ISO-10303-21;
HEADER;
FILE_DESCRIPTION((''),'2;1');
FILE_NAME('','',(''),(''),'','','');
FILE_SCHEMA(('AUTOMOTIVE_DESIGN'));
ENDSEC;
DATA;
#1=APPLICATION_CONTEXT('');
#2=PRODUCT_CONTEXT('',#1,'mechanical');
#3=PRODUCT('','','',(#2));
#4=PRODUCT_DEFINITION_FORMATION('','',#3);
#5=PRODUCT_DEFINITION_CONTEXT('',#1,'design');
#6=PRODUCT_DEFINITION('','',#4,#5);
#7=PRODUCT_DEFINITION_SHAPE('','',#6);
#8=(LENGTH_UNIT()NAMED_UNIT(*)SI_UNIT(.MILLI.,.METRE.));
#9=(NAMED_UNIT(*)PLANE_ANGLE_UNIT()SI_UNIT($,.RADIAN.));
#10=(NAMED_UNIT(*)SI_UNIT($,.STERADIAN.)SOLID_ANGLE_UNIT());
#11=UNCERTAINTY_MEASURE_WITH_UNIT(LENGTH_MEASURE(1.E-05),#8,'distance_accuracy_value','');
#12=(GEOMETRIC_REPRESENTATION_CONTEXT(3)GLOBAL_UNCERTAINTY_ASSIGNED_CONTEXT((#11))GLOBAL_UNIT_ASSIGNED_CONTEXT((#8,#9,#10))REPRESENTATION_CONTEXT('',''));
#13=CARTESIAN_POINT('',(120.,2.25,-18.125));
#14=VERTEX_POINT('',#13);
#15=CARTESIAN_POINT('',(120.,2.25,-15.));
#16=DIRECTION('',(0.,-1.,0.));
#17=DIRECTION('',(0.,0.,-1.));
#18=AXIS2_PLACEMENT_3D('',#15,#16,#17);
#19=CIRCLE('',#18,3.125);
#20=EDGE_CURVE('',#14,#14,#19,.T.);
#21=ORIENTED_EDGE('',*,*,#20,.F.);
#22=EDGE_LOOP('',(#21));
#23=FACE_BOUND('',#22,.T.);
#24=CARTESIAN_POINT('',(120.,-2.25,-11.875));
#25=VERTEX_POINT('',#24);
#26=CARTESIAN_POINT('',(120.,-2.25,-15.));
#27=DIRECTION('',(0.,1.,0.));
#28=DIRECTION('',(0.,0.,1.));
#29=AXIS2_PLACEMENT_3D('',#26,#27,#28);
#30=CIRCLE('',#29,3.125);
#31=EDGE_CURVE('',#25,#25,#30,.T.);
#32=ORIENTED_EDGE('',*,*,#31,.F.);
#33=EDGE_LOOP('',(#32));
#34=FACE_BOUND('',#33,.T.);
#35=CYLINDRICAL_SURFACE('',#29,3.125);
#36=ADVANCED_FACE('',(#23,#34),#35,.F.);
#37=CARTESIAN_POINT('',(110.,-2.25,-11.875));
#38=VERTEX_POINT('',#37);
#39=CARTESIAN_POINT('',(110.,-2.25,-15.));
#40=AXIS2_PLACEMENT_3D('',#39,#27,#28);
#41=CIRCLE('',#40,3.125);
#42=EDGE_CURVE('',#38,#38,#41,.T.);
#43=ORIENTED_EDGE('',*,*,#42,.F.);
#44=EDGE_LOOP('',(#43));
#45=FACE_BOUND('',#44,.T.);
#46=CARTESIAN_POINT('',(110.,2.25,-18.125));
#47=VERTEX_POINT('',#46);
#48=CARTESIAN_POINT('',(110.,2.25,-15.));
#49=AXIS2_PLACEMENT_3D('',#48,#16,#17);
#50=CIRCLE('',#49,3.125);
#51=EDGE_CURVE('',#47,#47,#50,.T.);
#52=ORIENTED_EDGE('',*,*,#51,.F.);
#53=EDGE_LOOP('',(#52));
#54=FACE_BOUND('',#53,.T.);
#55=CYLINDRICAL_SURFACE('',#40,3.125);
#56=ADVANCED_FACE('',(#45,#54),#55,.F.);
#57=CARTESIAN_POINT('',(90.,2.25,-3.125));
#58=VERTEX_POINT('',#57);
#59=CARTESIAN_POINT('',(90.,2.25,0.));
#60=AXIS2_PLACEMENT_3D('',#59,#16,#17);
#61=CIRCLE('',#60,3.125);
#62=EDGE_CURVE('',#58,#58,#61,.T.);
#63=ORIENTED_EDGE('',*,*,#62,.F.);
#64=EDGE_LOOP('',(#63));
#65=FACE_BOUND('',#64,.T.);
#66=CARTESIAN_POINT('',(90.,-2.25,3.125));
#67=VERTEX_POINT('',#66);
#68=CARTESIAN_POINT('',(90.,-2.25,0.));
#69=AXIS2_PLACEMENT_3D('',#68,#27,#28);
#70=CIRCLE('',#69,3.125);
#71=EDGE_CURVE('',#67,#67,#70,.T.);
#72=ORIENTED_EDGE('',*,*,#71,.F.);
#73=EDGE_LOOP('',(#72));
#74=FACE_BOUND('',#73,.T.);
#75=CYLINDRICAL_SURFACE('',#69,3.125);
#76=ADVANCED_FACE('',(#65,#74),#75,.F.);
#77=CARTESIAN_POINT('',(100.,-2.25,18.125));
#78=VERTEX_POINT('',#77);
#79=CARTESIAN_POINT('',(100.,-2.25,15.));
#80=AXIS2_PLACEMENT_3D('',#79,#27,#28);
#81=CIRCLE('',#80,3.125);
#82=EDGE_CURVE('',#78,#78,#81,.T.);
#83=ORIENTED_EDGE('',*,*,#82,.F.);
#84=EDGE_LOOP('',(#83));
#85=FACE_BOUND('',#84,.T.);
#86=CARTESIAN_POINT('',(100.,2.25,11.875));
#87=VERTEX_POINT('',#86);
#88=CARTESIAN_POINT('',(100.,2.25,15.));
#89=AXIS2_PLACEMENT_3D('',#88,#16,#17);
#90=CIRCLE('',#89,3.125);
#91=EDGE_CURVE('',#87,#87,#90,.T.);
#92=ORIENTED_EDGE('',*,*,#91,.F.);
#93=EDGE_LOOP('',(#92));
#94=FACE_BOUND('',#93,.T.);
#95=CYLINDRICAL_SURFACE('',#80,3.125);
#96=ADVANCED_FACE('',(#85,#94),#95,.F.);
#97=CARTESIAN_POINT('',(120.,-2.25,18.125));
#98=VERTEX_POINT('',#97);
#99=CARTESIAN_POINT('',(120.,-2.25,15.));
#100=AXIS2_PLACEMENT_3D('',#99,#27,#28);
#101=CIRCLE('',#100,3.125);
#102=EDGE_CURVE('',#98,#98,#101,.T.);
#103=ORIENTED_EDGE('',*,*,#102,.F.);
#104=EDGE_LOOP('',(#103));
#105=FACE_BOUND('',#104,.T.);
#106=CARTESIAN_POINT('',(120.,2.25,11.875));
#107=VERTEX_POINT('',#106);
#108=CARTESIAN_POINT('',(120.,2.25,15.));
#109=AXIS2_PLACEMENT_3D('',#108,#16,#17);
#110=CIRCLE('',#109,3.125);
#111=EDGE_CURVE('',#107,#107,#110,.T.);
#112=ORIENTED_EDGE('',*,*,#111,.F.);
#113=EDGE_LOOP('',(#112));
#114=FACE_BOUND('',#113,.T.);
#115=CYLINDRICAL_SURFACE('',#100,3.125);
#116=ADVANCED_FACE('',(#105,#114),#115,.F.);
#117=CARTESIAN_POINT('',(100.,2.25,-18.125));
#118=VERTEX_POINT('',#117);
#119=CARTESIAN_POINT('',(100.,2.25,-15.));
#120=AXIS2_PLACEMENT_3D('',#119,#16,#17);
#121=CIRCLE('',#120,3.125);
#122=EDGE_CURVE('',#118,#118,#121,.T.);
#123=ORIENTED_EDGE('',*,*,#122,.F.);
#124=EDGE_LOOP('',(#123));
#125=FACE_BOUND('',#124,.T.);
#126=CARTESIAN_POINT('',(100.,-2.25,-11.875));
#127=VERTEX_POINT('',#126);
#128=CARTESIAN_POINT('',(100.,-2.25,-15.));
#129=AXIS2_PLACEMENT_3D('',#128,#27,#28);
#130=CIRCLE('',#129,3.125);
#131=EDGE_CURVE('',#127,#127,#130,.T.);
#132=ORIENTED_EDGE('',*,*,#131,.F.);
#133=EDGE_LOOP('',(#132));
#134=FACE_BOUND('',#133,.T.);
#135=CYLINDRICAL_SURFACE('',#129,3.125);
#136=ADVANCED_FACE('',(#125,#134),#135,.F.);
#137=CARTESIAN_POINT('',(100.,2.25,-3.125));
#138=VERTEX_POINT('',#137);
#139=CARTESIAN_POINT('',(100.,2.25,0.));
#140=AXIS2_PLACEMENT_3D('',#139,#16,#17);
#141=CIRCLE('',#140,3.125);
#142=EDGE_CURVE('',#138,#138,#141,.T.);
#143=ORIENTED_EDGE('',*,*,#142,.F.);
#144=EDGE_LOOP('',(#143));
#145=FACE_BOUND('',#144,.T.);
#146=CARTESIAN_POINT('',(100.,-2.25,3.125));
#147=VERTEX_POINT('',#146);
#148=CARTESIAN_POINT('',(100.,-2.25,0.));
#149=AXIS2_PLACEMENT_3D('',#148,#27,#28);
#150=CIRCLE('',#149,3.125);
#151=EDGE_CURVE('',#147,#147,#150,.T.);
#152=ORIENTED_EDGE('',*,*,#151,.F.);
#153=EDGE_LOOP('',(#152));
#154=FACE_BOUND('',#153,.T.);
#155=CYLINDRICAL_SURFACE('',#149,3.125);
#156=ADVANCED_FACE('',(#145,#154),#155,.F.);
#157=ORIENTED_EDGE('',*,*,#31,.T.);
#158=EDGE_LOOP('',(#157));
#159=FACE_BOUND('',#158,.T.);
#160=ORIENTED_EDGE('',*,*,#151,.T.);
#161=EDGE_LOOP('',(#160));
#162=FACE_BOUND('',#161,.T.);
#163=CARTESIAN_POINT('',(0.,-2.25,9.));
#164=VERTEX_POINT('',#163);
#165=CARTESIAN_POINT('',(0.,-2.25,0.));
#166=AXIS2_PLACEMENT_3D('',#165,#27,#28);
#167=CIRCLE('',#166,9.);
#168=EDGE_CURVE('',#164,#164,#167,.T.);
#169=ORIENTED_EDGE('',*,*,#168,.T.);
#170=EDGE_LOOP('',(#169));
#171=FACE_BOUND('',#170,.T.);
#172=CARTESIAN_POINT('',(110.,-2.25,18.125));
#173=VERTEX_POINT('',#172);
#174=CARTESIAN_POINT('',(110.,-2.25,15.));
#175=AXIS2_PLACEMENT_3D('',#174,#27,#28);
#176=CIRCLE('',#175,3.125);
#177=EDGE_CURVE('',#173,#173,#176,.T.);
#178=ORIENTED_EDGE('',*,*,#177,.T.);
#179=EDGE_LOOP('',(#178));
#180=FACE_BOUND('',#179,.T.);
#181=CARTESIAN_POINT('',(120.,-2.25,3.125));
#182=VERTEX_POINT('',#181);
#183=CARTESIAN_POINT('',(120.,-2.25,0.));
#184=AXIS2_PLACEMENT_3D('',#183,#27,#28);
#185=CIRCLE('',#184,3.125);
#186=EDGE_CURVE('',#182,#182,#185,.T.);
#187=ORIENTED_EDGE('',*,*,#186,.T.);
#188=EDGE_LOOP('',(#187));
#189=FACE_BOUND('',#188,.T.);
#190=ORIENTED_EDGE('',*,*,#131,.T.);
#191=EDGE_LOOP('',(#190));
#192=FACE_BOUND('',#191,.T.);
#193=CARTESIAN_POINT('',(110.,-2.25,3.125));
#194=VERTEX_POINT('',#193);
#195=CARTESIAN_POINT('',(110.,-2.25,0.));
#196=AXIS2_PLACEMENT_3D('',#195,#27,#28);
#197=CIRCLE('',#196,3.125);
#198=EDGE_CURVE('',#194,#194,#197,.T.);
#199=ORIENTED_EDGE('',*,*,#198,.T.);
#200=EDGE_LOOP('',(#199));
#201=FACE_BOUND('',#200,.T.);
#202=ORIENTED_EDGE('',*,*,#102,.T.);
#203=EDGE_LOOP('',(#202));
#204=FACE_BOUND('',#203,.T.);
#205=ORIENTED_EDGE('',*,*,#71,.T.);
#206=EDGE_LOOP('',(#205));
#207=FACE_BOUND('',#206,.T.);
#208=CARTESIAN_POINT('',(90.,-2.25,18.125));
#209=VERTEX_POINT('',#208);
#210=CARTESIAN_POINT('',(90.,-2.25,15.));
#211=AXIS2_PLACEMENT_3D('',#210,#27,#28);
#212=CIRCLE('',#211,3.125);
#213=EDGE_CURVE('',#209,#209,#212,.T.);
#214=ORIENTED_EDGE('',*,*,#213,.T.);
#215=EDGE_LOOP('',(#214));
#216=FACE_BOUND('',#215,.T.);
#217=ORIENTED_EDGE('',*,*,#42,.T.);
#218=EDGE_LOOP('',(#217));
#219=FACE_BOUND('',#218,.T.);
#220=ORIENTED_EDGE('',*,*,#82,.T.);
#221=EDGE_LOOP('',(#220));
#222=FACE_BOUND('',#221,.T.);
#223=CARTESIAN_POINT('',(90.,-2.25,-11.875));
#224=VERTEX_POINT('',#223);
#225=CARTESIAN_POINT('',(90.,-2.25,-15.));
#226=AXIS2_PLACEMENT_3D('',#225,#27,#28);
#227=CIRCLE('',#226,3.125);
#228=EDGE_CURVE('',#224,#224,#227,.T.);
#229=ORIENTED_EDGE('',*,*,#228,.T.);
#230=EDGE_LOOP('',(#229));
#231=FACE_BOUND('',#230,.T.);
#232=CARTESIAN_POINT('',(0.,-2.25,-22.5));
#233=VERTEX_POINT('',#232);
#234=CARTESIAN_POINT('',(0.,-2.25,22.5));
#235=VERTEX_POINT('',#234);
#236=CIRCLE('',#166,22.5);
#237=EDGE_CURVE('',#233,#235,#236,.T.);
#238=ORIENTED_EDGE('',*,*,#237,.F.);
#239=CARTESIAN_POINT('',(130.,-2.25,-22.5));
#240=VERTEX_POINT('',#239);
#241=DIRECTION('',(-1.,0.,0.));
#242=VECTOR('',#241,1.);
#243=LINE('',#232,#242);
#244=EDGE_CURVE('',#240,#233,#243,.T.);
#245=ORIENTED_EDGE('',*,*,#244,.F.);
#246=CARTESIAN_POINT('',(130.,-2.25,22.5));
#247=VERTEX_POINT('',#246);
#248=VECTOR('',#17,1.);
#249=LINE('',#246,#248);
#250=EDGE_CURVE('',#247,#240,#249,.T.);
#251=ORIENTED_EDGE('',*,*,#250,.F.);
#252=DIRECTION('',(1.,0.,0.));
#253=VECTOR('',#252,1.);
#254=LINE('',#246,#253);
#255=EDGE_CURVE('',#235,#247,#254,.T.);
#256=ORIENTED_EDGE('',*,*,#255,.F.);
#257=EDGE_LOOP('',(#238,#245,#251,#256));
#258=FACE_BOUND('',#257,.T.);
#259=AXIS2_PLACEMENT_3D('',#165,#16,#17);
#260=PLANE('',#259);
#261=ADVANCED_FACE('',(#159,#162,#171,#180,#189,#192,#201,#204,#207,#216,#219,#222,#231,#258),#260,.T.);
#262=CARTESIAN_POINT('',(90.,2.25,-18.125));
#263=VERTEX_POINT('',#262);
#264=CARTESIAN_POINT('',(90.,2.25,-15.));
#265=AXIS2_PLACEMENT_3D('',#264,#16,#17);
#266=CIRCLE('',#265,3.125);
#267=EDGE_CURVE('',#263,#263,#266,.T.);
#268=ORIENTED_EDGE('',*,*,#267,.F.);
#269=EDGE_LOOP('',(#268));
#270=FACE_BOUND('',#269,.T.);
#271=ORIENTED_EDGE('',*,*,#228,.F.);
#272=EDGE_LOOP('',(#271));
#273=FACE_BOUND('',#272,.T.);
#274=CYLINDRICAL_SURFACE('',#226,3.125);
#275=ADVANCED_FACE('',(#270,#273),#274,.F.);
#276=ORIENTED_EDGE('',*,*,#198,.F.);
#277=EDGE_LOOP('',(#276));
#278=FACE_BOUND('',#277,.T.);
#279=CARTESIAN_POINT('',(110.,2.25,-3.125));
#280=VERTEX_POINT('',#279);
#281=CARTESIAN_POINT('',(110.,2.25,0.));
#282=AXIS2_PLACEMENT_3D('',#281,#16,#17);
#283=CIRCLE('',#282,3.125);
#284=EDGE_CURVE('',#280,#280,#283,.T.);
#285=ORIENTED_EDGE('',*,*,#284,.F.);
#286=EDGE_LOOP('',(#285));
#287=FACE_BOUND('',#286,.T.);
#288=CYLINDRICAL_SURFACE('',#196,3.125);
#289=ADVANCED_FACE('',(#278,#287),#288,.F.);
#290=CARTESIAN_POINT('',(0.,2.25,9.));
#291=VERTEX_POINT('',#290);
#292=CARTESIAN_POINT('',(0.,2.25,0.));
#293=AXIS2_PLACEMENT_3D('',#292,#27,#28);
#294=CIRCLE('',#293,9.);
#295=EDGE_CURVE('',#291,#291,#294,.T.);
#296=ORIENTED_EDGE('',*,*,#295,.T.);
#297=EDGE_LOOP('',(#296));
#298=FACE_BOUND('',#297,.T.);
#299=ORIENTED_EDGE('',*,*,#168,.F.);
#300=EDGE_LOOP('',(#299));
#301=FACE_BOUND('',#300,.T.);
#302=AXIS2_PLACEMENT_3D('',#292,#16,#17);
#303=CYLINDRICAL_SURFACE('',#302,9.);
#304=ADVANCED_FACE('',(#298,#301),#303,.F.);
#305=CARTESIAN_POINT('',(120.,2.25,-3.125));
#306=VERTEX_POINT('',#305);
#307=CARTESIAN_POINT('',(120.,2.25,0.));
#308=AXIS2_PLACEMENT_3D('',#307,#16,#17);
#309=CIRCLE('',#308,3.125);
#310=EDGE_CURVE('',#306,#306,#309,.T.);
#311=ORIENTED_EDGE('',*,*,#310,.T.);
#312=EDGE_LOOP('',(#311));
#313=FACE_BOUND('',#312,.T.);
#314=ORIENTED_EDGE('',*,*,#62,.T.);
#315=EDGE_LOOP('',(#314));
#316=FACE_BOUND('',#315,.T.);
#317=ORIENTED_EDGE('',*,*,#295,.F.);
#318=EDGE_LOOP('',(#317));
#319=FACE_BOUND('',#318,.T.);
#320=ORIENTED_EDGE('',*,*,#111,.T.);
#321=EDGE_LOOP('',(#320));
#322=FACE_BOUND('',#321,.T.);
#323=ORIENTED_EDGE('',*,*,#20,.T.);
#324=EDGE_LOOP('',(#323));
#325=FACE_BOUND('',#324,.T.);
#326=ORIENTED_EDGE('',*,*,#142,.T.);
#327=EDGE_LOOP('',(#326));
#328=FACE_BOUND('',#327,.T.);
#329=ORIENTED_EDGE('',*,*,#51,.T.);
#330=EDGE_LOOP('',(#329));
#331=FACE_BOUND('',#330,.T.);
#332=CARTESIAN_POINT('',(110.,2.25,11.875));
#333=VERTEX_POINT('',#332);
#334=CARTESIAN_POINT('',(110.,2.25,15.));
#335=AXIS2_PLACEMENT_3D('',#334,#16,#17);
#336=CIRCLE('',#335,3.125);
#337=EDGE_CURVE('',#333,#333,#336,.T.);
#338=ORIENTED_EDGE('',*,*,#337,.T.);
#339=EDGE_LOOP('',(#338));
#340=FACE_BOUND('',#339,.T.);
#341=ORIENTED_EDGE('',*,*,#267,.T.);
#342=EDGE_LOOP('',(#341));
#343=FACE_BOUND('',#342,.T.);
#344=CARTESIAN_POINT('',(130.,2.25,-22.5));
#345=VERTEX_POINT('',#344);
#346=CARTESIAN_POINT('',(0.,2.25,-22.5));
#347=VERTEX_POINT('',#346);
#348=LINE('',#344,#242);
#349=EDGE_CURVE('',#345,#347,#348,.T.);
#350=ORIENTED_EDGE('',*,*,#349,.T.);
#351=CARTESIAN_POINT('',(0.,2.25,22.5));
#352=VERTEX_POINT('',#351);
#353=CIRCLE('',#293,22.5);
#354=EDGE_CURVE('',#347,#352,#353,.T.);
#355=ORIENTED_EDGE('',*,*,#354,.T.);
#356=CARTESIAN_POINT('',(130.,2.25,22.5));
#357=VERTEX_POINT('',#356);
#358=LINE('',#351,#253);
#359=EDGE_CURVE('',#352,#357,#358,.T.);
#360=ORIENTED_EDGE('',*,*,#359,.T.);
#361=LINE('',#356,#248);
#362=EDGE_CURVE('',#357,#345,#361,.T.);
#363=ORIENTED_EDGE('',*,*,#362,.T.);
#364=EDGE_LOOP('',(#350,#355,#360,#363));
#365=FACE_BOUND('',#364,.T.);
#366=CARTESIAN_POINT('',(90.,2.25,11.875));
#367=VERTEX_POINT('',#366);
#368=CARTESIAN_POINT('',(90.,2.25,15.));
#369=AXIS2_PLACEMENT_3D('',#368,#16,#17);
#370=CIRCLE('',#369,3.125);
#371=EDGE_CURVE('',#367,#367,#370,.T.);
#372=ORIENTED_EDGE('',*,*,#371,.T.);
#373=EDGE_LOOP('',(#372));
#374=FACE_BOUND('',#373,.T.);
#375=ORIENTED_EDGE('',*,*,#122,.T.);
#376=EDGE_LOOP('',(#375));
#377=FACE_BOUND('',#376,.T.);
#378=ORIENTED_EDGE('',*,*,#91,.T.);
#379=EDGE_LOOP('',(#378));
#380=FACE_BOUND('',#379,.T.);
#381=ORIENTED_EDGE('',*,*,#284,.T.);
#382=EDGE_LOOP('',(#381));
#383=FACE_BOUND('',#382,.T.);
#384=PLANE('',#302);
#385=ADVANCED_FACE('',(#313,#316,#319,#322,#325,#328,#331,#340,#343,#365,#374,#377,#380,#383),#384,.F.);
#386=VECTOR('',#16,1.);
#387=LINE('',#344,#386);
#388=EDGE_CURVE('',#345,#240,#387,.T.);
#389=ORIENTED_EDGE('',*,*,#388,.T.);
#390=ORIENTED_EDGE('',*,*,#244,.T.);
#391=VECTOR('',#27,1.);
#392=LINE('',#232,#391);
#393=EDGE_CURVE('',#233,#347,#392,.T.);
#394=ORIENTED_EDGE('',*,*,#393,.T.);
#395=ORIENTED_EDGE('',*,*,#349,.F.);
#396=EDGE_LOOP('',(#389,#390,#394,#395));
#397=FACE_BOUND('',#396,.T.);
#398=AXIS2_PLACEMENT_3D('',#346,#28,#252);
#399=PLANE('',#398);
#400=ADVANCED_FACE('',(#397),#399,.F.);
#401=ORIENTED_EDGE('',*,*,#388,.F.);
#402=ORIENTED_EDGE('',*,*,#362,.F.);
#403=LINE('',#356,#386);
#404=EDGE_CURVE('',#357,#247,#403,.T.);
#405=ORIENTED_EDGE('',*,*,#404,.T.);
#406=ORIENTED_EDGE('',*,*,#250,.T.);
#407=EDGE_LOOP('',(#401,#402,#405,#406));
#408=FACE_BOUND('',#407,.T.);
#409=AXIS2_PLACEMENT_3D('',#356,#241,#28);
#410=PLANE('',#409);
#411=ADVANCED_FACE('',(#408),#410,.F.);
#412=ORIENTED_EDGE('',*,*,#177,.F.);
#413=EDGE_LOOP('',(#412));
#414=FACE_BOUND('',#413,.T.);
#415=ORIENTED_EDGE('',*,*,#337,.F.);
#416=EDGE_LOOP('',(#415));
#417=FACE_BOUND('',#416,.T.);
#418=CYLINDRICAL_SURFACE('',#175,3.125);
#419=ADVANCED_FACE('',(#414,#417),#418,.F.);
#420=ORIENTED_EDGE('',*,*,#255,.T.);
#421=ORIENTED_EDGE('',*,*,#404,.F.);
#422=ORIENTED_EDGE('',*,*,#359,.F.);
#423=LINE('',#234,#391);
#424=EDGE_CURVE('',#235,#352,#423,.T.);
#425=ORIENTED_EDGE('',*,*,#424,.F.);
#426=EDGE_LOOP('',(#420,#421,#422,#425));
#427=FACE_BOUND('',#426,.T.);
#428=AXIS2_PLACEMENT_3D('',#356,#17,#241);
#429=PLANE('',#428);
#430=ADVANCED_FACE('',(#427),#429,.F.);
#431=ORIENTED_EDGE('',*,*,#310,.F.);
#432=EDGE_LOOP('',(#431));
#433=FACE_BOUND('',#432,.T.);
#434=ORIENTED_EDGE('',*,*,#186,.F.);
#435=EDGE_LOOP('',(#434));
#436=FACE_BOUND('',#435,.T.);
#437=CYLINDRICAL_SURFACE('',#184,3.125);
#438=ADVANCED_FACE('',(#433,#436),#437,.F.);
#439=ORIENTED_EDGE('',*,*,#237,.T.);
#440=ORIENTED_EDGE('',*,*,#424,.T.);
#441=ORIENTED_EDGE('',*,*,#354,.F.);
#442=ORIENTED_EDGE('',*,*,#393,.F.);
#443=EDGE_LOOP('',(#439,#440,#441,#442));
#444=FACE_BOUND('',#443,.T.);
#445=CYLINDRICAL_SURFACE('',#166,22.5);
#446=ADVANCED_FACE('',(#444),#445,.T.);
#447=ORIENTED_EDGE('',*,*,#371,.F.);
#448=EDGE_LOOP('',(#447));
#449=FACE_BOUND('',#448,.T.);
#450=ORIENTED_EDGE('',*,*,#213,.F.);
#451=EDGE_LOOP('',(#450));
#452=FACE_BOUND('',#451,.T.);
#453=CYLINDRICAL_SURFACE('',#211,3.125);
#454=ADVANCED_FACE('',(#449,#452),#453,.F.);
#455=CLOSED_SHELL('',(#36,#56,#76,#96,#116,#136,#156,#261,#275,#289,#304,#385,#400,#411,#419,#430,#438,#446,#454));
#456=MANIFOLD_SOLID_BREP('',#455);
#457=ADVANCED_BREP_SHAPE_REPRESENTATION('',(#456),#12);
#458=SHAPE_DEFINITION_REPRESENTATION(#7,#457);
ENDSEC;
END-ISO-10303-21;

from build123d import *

# Parameters (mm, degrees)
SKETCH1_R                     = 9
BOSS_EXTRUDE1_DEPTH           = 2.25
CUT_EXTRUDE1_START            = -5.5
SKETCH2_R                     = 3.125
CUT_EXTRUDE1_DEPTH            = 6.5
LPATTERN1_COUNT               = 4
LPATTERN1_PITCH               = 10
LPATTERN2_COUNT               = 2
LPATTERN2_PITCH               = 15
LPATTERN2_START               = -5.5
LPATTERN2_COPY_1_SKETCH_R     = 3.125
LPATTERN2_COPY_1_DEPTH        = 6.5
LPATTERN2_COPY_2_SKETCH_R     = 3.125
LPATTERN2_COPY_2_DEPTH        = 6.5
LPATTERN2_COPY_3_SKETCH_R     = 3.125
LPATTERN2_COPY_3_DEPTH        = 6.5
LPATTERN2_COL_COUNT           = 2
LPATTERN2_COL_PITCH           = 15
LPATTERN2_COL_COPY_1_SKETCH_R = 3.125
LPATTERN2_COL_COPY_1_DEPTH    = 6.5
LPATTERN2_COL_COPY_2_SKETCH_R = 3.125
LPATTERN2_COL_COPY_2_DEPTH    = 6.5
LPATTERN2_COL_COPY_3_SKETCH_R = 3.125
LPATTERN2_COL_COPY_3_DEPTH    = 6.5
CUT_EXTRUDE2_DEPTH            = 1
CUT_EXTRUDE2_DEPTH_BACK       = 5.5


with BuildPart() as part:
    # Sketch1 → Boss-Extrude1 (new body, symmetric)
    with BuildSketch(Plane(origin=(0, 0, 0), x_dir=(1, 0, 0), z_dir=(0, 1, 0))):
        Polygon((130, -22.5), (0, -22.5), (-30, -22.5), (-30, 22.5), (0, 22.5), (130, 22.5), align=None)
        Circle(SKETCH1_R, mode=Mode.SUBTRACT)
    extrude(amount=BOSS_EXTRUDE1_DEPTH, both=True)

    # Sketch2 → Cut-Extrude1 (cut)
    with BuildSketch(Plane(origin=(0, 2.25, 0), x_dir=(1, 0, 0), z_dir=(0, 1, 0)).offset(CUT_EXTRUDE1_START)):
        with Locations((120, 0)):
            Circle(SKETCH2_R)
    cut_extrude1 = extrude(amount=CUT_EXTRUDE1_DEPTH, mode=Mode.SUBTRACT)

    # LPattern1: Cut-Extrude1 ×4
    with Locations(*[(-i * LPATTERN1_PITCH, 0, 0) for i in range(1, LPATTERN1_COUNT)]):
        add(cut_extrude1, mode=Mode.SUBTRACT)

    # LPattern2: Cut-Extrude1 ×2
    with Locations(*[(0, 0, i * LPATTERN2_PITCH) for i in range(1, LPATTERN2_COUNT)]):
        add(cut_extrude1, mode=Mode.SUBTRACT)

    # LPattern2 copy 1 sketch → LPattern2 copy 1 (cut)
    with BuildSketch(Plane(origin=(-10, 2.25, 15), x_dir=(1, 0, 0), z_dir=(0, 1, 0)).offset(LPATTERN2_START)):
        with Locations((120, 0)):
            Circle(LPATTERN2_COPY_1_SKETCH_R)
    extrude(amount=LPATTERN2_COPY_1_DEPTH, mode=Mode.SUBTRACT)

    # LPattern2 copy 2 sketch → LPattern2 copy 2 (cut)
    with BuildSketch(Plane(origin=(-20, 2.25, 15), x_dir=(1, 0, 0), z_dir=(0, 1, 0)).offset(LPATTERN2_START)):
        with Locations((120, 0)):
            Circle(LPATTERN2_COPY_2_SKETCH_R)
    extrude(amount=LPATTERN2_COPY_2_DEPTH, mode=Mode.SUBTRACT)

    # LPattern2 copy 3 sketch → LPattern2 copy 3 (cut)
    with BuildSketch(Plane(origin=(-30, 2.25, 15), x_dir=(1, 0, 0), z_dir=(0, 1, 0)).offset(LPATTERN2_START)):
        with Locations((120, 0)):
            Circle(LPATTERN2_COPY_3_SKETCH_R)
    extrude(amount=LPATTERN2_COPY_3_DEPTH, mode=Mode.SUBTRACT)

    # LPattern2 col: Cut-Extrude1 ×2
    with Locations(*[(0, 0, -i * LPATTERN2_COL_PITCH) for i in range(1, LPATTERN2_COL_COUNT)]):
        add(cut_extrude1, mode=Mode.SUBTRACT)

    # LPattern2 col copy 1 sketch → LPattern2 col copy 1 (cut)
    with BuildSketch(Plane(origin=(-10, 2.25, -15), x_dir=(1, 0, 0), z_dir=(0, 1, 0)).offset(LPATTERN2_START)):
        with Locations((120, 0)):
            Circle(LPATTERN2_COL_COPY_1_SKETCH_R)
    extrude(amount=LPATTERN2_COL_COPY_1_DEPTH, mode=Mode.SUBTRACT)

    # LPattern2 col copy 2 sketch → LPattern2 col copy 2 (cut)
    with BuildSketch(Plane(origin=(-20, 2.25, -15), x_dir=(1, 0, 0), z_dir=(0, 1, 0)).offset(LPATTERN2_START)):
        with Locations((120, 0)):
            Circle(LPATTERN2_COL_COPY_2_SKETCH_R)
    extrude(amount=LPATTERN2_COL_COPY_2_DEPTH, mode=Mode.SUBTRACT)

    # LPattern2 col copy 3 sketch → LPattern2 col copy 3 (cut)
    with BuildSketch(Plane(origin=(-30, 2.25, -15), x_dir=(1, 0, 0), z_dir=(0, 1, 0)).offset(LPATTERN2_START)):
        with Locations((120, 0)):
            Circle(LPATTERN2_COL_COPY_3_SKETCH_R)
    extrude(amount=LPATTERN2_COL_COPY_3_DEPTH, mode=Mode.SUBTRACT)

    # Sketch3 → Cut-Extrude2 (cut, two sides)
    with BuildSketch(Plane(origin=(0, 2.25, 0), x_dir=(1, 0, 0), z_dir=(0, 1, 0))) as cut_extrude2_sk:
        with BuildLine():
            ThreePointArc((-4.9e-08, -22.5), (-22.5, 2.1e-08), (-7e-09, 22.5))
            Line((-7e-09, 22.5), (-30, 22.5))
            Line((-30, 22.5), (-30, -22.5))
            Line((-30, -22.5), (-4.9e-08, -22.5))
        make_face()
    extrude(amount=CUT_EXTRUDE2_DEPTH, mode=Mode.SUBTRACT)
    extrude(cut_extrude2_sk.sketch, amount=-CUT_EXTRUDE2_DEPTH_BACK, mode=Mode.SUBTRACT)


solid = part.part
